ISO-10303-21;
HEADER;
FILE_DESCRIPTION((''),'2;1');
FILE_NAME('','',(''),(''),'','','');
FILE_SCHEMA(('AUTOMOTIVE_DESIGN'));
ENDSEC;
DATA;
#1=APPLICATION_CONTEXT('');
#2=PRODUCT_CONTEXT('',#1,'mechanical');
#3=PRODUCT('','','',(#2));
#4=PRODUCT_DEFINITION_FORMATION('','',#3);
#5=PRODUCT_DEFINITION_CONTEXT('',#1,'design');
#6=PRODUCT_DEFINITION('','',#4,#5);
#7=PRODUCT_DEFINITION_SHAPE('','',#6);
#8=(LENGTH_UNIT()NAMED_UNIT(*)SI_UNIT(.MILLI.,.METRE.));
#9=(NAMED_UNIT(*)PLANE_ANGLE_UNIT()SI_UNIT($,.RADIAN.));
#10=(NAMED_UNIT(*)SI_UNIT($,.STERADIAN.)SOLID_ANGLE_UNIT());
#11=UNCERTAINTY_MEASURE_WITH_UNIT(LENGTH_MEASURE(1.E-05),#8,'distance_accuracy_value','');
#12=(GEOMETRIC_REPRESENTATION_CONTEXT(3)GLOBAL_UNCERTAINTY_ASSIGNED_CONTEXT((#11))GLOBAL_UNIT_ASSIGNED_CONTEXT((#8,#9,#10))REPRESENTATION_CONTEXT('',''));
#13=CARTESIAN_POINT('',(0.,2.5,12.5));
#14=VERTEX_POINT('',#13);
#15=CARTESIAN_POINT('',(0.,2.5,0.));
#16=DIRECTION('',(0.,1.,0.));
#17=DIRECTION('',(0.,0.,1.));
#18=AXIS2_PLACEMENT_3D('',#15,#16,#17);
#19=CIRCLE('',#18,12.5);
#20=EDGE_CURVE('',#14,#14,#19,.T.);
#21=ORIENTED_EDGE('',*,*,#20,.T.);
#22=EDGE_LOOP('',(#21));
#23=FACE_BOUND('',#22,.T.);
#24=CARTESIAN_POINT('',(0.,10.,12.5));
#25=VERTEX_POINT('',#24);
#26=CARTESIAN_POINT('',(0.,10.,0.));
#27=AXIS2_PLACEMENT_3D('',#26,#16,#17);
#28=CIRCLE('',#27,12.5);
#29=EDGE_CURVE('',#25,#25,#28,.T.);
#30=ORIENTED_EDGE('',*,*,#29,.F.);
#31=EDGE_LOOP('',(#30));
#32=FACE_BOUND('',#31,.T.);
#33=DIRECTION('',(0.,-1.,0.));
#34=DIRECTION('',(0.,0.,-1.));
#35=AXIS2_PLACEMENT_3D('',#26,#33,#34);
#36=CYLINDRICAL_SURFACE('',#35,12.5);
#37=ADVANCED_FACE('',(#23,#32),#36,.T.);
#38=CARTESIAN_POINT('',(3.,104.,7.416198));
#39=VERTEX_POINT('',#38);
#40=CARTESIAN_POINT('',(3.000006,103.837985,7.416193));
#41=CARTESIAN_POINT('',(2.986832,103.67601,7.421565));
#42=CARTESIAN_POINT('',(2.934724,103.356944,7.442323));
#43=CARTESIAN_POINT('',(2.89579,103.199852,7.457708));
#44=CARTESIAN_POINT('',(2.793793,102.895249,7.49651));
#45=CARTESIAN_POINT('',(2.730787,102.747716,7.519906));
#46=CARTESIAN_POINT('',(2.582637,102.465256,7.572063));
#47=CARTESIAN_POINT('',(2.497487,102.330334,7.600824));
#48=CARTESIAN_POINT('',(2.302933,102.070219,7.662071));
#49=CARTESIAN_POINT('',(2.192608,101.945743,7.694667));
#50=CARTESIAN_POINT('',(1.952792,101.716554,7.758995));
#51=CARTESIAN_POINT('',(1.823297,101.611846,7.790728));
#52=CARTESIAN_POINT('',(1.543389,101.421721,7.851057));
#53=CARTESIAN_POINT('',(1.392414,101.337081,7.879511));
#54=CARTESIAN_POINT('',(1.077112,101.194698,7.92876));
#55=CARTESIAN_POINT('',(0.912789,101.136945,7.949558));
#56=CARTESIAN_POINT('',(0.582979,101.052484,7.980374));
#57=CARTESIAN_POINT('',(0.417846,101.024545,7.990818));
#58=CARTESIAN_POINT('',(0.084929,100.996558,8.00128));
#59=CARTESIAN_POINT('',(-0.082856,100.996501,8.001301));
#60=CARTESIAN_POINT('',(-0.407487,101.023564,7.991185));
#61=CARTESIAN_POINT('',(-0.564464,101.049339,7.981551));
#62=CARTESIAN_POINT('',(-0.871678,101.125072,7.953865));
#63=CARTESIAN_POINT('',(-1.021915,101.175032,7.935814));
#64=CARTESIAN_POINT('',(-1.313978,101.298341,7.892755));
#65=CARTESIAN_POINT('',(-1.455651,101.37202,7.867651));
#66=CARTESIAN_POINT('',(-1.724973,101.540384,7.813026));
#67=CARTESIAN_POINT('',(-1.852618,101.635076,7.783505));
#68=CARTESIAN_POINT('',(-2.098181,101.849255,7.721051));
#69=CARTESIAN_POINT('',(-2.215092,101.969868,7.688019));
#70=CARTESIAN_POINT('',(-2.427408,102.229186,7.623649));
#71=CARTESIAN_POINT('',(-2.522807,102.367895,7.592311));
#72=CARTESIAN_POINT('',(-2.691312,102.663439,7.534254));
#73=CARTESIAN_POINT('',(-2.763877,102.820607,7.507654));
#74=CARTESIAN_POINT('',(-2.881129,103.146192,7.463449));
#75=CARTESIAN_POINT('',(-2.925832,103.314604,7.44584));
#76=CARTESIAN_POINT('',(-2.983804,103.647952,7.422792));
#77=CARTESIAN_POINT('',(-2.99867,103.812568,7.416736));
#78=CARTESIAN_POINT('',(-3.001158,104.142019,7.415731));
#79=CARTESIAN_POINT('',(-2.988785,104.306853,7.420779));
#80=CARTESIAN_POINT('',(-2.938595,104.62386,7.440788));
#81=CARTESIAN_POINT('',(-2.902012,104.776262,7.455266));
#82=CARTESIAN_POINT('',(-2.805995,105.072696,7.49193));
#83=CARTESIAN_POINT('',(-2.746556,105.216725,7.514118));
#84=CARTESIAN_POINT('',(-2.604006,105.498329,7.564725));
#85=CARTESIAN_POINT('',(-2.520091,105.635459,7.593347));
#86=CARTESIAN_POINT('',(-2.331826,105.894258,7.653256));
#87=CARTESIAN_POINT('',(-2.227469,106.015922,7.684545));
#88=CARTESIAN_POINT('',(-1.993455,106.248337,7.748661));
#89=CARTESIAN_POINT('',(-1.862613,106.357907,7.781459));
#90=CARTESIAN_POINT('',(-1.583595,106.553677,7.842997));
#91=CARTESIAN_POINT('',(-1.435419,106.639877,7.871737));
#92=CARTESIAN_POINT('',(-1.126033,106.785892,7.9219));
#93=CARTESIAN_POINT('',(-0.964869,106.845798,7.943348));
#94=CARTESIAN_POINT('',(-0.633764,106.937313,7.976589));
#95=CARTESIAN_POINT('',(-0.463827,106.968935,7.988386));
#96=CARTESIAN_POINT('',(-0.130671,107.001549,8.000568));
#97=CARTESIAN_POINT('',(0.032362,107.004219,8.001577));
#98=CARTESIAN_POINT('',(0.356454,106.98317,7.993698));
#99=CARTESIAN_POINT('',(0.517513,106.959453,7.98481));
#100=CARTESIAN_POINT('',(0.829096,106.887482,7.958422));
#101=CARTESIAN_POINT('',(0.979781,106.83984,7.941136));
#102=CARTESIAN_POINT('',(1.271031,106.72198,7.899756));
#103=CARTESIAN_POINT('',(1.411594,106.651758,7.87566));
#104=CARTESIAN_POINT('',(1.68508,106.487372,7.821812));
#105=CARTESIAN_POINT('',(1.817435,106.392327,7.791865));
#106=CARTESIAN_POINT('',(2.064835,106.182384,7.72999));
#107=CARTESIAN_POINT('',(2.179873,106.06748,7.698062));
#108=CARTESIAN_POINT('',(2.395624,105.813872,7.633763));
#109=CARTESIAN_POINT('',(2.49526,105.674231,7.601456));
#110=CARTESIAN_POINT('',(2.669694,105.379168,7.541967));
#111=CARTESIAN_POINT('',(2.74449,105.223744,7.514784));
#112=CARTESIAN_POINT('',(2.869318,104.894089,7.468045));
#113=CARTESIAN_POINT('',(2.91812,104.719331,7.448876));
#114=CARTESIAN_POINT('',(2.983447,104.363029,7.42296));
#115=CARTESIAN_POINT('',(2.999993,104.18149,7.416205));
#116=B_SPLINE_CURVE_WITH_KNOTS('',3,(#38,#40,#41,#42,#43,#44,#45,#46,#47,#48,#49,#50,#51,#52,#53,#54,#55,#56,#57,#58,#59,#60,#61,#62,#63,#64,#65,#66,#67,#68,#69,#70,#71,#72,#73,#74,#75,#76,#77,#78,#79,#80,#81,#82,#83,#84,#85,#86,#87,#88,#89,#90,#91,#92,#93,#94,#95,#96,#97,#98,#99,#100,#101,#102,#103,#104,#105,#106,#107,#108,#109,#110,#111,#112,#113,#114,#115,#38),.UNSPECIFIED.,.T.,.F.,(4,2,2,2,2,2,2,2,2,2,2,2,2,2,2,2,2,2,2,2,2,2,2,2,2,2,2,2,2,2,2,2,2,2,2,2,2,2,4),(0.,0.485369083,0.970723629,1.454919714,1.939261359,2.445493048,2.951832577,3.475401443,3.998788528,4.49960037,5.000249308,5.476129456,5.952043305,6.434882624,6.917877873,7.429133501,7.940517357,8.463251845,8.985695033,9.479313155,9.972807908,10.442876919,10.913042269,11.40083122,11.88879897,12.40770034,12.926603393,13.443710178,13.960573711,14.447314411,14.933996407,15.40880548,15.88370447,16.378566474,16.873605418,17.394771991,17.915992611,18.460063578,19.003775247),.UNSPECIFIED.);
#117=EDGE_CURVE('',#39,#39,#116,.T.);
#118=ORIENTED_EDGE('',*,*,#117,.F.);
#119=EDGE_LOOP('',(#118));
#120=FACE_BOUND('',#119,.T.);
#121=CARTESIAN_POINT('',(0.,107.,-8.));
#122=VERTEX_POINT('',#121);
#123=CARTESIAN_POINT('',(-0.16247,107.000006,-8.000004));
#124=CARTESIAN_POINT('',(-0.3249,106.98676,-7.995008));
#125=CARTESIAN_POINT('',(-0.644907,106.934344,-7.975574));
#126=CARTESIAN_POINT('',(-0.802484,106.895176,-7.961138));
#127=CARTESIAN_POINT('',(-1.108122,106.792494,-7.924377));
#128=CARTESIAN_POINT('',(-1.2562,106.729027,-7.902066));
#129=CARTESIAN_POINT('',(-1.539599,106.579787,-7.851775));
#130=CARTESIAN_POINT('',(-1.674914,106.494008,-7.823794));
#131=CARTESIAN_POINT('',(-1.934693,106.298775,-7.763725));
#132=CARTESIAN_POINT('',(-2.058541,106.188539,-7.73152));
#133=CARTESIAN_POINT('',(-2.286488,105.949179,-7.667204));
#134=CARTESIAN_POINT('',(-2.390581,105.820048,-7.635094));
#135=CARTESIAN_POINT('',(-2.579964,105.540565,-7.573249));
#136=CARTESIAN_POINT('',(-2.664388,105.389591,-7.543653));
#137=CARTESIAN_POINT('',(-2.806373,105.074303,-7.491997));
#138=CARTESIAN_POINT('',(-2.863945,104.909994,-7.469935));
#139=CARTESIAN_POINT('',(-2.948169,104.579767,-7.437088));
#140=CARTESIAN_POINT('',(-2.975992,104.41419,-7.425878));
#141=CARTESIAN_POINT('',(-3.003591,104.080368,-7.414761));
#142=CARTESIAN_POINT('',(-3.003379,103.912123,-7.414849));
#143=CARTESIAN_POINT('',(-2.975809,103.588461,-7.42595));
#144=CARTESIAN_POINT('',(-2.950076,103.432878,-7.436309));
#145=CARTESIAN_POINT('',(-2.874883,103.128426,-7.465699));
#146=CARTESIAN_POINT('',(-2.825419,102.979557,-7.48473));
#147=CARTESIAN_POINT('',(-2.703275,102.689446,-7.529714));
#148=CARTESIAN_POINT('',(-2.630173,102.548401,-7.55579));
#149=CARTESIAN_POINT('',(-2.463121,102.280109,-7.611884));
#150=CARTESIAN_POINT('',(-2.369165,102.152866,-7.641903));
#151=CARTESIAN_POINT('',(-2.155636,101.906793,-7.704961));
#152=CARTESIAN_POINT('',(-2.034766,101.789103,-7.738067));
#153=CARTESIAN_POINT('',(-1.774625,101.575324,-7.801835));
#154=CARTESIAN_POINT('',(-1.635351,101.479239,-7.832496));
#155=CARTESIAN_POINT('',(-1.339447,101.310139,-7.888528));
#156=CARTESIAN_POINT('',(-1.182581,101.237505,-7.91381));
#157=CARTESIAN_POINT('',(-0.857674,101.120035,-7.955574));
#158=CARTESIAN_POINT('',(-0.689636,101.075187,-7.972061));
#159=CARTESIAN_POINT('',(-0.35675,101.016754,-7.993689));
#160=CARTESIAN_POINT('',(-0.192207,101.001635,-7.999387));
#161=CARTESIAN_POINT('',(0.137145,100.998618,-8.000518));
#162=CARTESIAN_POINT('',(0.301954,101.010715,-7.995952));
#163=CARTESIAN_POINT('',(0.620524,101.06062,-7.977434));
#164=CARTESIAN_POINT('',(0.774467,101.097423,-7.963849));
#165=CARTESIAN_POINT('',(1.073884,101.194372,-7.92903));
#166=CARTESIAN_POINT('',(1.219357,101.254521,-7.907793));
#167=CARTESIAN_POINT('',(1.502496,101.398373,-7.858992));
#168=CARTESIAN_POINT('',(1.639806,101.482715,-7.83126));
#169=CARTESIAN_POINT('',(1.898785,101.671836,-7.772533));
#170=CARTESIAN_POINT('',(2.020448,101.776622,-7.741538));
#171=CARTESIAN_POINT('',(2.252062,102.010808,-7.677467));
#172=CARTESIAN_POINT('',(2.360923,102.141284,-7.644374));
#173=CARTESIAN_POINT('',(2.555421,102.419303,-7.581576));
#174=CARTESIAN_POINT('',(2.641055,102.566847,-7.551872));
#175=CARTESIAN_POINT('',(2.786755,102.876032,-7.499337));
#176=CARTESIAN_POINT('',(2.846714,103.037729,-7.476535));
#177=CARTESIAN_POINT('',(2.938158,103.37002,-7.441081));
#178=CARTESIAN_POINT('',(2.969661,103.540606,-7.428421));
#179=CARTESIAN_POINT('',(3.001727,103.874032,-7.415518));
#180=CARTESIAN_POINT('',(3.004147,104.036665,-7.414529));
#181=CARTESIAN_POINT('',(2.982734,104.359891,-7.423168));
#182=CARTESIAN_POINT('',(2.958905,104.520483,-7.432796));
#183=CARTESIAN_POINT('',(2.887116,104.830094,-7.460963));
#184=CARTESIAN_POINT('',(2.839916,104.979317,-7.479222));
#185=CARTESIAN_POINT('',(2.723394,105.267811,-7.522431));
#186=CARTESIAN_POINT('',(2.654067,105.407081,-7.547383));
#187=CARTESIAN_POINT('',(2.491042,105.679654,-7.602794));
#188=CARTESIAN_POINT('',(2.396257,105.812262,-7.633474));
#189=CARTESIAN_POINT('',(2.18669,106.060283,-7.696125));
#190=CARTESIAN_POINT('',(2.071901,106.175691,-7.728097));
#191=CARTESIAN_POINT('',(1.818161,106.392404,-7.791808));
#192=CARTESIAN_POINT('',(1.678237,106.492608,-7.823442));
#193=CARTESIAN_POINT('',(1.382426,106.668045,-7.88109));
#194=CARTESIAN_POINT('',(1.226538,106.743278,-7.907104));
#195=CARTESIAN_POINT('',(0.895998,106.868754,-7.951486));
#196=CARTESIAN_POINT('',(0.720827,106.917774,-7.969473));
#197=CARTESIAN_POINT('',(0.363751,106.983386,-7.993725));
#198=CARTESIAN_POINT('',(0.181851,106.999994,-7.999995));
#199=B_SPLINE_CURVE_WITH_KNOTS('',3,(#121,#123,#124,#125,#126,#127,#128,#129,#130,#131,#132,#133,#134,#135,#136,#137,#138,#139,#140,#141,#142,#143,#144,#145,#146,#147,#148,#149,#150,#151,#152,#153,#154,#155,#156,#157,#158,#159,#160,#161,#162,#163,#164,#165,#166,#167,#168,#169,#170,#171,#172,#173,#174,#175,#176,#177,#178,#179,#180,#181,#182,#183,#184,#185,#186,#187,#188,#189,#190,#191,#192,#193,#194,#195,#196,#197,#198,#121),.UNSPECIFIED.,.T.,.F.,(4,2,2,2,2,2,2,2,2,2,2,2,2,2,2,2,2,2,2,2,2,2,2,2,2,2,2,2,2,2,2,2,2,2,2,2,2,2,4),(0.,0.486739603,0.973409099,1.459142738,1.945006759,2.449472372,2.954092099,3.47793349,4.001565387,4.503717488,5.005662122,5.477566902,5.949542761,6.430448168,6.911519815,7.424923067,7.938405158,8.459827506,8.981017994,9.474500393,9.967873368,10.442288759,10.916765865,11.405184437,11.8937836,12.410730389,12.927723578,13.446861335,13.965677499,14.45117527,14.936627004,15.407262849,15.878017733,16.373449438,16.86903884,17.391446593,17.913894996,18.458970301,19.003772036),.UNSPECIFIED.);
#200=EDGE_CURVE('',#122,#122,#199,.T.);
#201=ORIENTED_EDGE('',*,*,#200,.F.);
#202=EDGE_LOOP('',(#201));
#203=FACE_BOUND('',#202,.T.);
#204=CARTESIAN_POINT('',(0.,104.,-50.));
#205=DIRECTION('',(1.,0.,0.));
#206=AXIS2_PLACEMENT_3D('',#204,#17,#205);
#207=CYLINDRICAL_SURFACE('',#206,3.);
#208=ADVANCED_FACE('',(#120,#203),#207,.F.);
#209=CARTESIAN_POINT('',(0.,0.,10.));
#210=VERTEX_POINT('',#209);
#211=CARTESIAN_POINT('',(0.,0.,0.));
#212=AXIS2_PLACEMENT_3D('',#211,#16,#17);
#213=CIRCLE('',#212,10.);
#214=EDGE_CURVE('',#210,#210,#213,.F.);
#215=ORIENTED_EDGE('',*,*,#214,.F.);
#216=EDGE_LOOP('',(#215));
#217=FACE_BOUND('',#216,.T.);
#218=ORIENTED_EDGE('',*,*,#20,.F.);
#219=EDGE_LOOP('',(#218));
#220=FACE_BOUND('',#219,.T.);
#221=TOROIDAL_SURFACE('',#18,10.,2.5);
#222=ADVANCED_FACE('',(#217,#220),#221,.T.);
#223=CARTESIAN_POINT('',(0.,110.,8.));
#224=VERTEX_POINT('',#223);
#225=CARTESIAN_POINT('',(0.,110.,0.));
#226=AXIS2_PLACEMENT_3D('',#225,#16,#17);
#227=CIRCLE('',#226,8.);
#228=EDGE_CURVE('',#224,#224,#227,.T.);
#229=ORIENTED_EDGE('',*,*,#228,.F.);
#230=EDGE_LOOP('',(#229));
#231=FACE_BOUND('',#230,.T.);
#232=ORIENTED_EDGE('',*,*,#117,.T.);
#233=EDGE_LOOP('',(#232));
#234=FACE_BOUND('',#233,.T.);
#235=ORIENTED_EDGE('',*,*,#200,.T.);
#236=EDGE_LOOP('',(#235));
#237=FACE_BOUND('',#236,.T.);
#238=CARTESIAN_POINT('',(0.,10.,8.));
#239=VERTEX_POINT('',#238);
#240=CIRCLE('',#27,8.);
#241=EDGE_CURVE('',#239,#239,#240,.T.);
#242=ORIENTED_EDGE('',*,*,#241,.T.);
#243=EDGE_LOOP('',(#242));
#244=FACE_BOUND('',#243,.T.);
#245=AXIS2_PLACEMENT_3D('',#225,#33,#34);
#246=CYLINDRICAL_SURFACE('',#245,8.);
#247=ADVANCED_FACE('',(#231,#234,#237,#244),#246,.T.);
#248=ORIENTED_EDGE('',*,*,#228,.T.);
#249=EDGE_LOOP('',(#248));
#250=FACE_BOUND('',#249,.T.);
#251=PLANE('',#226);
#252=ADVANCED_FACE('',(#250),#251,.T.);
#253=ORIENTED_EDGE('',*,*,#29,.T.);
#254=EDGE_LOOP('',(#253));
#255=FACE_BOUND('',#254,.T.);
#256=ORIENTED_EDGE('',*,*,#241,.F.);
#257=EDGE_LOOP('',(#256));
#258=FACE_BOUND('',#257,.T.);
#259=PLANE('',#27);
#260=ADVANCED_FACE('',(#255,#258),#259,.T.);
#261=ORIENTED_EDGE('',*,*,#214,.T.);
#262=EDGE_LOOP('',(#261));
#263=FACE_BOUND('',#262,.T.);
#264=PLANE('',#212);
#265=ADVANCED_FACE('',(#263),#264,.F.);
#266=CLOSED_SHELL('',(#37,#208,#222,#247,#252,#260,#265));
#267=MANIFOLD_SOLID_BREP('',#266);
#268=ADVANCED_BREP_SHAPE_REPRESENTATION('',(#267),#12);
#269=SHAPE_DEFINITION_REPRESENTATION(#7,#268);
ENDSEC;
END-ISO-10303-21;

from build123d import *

# Parameters (mm, degrees)
SKETCH1_R           = 12.5
BOSS_EXTRUDE1_DEPTH = 10
FILLET1_R           = 2.5
SKETCH2_R           = 8
BOSS_EXTRUDE2_DEPTH = 100
SKETCH3_R           = 3
CUT_EXTRUDE1_DEPTH  = 50


with BuildPart() as part:
    # Sketch1 → Boss-Extrude1 (new body)
    with BuildSketch(Plane(origin=(0, 0, 0), x_dir=(1, 0, 0), z_dir=(0, 1, 0))):
        with Locations(Location((0, 0, 0), (0, 0, 270))):
            Circle(SKETCH1_R)
    extrude(amount=BOSS_EXTRUDE1_DEPTH)

    # Fillet1
    fillet1_edges = [part.edges().sort_by_distance(p)[0] for p in [
        (0, 0, -12.5),
    ]]
    fillet(fillet1_edges, radius=FILLET1_R)

    # Sketch2 → Boss-Extrude2 (add)
    with BuildSketch(Plane(origin=(0, 10, 0), x_dir=(1, 0, 0), z_dir=(0, 1, 0))):
        with Locations(Location((0, 0, 0), (0, 0, 270))):
            Circle(SKETCH2_R)
    extrude(amount=BOSS_EXTRUDE2_DEPTH)

    # Sketch3 → Cut-Extrude1 (cut, symmetric)
    with BuildSketch(Plane.XY):
        with Locations(Location((0, 104, 0), (0, 0, 90.000000025))):
            Circle(SKETCH3_R)
    extrude(amount=CUT_EXTRUDE1_DEPTH, both=True, mode=Mode.SUBTRACT)


solid = part.part
